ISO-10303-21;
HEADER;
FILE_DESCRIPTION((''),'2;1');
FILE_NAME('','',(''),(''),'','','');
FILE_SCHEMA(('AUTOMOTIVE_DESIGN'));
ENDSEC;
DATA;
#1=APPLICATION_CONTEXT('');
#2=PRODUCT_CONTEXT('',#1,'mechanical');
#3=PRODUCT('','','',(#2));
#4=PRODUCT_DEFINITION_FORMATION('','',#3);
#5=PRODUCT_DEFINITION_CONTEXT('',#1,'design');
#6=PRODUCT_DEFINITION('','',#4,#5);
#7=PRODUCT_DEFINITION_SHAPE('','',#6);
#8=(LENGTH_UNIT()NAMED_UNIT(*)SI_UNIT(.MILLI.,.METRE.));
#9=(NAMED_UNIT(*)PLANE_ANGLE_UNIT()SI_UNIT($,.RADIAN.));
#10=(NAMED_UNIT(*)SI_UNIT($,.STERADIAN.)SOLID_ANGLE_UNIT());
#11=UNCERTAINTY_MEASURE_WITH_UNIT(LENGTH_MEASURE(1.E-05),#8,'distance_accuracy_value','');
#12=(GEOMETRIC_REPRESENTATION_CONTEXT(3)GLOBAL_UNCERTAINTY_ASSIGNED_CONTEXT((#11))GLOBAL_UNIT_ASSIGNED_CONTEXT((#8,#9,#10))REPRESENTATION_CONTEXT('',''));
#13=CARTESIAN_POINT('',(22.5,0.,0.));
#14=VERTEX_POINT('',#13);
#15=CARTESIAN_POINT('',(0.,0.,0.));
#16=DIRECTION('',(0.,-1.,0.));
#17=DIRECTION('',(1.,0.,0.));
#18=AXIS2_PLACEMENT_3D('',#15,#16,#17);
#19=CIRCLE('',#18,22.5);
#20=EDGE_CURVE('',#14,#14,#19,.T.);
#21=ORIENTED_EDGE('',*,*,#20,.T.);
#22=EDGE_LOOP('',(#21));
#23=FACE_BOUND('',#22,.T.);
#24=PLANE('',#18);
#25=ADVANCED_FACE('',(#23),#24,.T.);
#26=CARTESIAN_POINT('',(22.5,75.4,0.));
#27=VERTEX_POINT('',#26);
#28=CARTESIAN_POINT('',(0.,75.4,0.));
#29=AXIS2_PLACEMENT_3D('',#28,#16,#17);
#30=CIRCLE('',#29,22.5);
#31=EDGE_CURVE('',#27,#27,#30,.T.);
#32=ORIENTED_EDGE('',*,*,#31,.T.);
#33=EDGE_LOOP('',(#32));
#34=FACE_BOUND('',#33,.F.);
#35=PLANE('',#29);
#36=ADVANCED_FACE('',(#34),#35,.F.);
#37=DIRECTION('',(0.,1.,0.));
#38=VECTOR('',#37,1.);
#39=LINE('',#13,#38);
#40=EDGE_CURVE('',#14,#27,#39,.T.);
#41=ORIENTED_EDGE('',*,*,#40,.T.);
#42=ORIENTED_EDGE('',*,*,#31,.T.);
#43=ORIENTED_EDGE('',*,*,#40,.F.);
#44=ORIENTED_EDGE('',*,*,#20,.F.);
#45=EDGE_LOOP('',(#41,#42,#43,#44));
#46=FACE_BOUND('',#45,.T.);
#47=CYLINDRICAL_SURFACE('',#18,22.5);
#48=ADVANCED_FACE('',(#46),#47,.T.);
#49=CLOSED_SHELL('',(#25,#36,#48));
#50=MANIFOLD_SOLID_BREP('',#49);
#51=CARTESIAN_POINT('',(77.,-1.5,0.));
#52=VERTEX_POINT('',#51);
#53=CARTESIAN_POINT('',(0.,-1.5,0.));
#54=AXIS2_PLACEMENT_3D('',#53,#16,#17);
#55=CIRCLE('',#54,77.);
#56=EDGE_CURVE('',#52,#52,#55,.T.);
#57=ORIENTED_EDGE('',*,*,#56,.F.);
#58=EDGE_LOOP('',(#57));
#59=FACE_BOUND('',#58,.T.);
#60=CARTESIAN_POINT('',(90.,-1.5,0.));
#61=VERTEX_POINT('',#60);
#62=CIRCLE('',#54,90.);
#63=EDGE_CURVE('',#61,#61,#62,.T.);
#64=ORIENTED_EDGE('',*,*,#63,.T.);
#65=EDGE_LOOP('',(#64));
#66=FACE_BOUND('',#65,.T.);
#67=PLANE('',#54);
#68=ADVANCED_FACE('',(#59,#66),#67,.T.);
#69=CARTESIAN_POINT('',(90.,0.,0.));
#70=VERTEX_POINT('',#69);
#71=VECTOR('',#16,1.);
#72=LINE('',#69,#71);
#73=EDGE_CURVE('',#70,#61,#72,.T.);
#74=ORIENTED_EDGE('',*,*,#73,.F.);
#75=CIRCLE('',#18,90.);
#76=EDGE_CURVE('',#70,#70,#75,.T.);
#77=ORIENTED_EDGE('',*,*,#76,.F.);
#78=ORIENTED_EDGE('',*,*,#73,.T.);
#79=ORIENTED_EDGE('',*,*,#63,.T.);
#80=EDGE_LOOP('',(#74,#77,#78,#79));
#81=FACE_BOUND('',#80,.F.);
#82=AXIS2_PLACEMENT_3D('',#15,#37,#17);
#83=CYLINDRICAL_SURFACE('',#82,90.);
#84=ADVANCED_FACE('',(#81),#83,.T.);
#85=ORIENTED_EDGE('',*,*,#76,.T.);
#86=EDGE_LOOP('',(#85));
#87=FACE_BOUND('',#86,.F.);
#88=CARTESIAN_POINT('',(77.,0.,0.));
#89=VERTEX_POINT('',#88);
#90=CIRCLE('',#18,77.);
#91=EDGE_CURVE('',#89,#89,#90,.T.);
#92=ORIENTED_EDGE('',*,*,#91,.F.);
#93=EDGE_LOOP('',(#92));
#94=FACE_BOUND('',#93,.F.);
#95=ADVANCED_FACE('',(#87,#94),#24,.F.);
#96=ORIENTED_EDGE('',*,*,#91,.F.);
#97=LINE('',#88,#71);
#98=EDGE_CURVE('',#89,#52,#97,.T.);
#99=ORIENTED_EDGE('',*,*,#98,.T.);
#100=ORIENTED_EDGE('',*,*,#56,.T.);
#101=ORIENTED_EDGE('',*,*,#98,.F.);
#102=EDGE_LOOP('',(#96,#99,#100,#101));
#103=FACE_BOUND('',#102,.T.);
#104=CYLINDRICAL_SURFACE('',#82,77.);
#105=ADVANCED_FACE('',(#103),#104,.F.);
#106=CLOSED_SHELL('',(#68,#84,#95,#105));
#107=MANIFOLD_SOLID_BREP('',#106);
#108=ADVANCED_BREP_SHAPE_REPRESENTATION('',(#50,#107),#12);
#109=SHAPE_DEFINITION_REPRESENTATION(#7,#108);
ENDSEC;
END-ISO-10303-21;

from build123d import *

# Parameters (mm, degrees)
F0_R     = 90
F0_R_2   = 77
F1_DEPTH = 1.5
F2_R     = 22.5
F3_DEPTH = 75.4


with BuildPart() as f1:
    # F0 (on Front) → F1 (new body)
    with BuildSketch(Plane.XZ):
        Circle(F0_R)
        Circle(F0_R_2, mode=Mode.SUBTRACT)
    extrude(amount=F1_DEPTH)


with BuildPart() as f3:
    # F2 (on Front) → F3 (new body)
    with BuildSketch(Plane.XZ):
        Circle(F2_R)
    extrude(amount=-F3_DEPTH)


solid = Compound([f1.part, f3.part])
